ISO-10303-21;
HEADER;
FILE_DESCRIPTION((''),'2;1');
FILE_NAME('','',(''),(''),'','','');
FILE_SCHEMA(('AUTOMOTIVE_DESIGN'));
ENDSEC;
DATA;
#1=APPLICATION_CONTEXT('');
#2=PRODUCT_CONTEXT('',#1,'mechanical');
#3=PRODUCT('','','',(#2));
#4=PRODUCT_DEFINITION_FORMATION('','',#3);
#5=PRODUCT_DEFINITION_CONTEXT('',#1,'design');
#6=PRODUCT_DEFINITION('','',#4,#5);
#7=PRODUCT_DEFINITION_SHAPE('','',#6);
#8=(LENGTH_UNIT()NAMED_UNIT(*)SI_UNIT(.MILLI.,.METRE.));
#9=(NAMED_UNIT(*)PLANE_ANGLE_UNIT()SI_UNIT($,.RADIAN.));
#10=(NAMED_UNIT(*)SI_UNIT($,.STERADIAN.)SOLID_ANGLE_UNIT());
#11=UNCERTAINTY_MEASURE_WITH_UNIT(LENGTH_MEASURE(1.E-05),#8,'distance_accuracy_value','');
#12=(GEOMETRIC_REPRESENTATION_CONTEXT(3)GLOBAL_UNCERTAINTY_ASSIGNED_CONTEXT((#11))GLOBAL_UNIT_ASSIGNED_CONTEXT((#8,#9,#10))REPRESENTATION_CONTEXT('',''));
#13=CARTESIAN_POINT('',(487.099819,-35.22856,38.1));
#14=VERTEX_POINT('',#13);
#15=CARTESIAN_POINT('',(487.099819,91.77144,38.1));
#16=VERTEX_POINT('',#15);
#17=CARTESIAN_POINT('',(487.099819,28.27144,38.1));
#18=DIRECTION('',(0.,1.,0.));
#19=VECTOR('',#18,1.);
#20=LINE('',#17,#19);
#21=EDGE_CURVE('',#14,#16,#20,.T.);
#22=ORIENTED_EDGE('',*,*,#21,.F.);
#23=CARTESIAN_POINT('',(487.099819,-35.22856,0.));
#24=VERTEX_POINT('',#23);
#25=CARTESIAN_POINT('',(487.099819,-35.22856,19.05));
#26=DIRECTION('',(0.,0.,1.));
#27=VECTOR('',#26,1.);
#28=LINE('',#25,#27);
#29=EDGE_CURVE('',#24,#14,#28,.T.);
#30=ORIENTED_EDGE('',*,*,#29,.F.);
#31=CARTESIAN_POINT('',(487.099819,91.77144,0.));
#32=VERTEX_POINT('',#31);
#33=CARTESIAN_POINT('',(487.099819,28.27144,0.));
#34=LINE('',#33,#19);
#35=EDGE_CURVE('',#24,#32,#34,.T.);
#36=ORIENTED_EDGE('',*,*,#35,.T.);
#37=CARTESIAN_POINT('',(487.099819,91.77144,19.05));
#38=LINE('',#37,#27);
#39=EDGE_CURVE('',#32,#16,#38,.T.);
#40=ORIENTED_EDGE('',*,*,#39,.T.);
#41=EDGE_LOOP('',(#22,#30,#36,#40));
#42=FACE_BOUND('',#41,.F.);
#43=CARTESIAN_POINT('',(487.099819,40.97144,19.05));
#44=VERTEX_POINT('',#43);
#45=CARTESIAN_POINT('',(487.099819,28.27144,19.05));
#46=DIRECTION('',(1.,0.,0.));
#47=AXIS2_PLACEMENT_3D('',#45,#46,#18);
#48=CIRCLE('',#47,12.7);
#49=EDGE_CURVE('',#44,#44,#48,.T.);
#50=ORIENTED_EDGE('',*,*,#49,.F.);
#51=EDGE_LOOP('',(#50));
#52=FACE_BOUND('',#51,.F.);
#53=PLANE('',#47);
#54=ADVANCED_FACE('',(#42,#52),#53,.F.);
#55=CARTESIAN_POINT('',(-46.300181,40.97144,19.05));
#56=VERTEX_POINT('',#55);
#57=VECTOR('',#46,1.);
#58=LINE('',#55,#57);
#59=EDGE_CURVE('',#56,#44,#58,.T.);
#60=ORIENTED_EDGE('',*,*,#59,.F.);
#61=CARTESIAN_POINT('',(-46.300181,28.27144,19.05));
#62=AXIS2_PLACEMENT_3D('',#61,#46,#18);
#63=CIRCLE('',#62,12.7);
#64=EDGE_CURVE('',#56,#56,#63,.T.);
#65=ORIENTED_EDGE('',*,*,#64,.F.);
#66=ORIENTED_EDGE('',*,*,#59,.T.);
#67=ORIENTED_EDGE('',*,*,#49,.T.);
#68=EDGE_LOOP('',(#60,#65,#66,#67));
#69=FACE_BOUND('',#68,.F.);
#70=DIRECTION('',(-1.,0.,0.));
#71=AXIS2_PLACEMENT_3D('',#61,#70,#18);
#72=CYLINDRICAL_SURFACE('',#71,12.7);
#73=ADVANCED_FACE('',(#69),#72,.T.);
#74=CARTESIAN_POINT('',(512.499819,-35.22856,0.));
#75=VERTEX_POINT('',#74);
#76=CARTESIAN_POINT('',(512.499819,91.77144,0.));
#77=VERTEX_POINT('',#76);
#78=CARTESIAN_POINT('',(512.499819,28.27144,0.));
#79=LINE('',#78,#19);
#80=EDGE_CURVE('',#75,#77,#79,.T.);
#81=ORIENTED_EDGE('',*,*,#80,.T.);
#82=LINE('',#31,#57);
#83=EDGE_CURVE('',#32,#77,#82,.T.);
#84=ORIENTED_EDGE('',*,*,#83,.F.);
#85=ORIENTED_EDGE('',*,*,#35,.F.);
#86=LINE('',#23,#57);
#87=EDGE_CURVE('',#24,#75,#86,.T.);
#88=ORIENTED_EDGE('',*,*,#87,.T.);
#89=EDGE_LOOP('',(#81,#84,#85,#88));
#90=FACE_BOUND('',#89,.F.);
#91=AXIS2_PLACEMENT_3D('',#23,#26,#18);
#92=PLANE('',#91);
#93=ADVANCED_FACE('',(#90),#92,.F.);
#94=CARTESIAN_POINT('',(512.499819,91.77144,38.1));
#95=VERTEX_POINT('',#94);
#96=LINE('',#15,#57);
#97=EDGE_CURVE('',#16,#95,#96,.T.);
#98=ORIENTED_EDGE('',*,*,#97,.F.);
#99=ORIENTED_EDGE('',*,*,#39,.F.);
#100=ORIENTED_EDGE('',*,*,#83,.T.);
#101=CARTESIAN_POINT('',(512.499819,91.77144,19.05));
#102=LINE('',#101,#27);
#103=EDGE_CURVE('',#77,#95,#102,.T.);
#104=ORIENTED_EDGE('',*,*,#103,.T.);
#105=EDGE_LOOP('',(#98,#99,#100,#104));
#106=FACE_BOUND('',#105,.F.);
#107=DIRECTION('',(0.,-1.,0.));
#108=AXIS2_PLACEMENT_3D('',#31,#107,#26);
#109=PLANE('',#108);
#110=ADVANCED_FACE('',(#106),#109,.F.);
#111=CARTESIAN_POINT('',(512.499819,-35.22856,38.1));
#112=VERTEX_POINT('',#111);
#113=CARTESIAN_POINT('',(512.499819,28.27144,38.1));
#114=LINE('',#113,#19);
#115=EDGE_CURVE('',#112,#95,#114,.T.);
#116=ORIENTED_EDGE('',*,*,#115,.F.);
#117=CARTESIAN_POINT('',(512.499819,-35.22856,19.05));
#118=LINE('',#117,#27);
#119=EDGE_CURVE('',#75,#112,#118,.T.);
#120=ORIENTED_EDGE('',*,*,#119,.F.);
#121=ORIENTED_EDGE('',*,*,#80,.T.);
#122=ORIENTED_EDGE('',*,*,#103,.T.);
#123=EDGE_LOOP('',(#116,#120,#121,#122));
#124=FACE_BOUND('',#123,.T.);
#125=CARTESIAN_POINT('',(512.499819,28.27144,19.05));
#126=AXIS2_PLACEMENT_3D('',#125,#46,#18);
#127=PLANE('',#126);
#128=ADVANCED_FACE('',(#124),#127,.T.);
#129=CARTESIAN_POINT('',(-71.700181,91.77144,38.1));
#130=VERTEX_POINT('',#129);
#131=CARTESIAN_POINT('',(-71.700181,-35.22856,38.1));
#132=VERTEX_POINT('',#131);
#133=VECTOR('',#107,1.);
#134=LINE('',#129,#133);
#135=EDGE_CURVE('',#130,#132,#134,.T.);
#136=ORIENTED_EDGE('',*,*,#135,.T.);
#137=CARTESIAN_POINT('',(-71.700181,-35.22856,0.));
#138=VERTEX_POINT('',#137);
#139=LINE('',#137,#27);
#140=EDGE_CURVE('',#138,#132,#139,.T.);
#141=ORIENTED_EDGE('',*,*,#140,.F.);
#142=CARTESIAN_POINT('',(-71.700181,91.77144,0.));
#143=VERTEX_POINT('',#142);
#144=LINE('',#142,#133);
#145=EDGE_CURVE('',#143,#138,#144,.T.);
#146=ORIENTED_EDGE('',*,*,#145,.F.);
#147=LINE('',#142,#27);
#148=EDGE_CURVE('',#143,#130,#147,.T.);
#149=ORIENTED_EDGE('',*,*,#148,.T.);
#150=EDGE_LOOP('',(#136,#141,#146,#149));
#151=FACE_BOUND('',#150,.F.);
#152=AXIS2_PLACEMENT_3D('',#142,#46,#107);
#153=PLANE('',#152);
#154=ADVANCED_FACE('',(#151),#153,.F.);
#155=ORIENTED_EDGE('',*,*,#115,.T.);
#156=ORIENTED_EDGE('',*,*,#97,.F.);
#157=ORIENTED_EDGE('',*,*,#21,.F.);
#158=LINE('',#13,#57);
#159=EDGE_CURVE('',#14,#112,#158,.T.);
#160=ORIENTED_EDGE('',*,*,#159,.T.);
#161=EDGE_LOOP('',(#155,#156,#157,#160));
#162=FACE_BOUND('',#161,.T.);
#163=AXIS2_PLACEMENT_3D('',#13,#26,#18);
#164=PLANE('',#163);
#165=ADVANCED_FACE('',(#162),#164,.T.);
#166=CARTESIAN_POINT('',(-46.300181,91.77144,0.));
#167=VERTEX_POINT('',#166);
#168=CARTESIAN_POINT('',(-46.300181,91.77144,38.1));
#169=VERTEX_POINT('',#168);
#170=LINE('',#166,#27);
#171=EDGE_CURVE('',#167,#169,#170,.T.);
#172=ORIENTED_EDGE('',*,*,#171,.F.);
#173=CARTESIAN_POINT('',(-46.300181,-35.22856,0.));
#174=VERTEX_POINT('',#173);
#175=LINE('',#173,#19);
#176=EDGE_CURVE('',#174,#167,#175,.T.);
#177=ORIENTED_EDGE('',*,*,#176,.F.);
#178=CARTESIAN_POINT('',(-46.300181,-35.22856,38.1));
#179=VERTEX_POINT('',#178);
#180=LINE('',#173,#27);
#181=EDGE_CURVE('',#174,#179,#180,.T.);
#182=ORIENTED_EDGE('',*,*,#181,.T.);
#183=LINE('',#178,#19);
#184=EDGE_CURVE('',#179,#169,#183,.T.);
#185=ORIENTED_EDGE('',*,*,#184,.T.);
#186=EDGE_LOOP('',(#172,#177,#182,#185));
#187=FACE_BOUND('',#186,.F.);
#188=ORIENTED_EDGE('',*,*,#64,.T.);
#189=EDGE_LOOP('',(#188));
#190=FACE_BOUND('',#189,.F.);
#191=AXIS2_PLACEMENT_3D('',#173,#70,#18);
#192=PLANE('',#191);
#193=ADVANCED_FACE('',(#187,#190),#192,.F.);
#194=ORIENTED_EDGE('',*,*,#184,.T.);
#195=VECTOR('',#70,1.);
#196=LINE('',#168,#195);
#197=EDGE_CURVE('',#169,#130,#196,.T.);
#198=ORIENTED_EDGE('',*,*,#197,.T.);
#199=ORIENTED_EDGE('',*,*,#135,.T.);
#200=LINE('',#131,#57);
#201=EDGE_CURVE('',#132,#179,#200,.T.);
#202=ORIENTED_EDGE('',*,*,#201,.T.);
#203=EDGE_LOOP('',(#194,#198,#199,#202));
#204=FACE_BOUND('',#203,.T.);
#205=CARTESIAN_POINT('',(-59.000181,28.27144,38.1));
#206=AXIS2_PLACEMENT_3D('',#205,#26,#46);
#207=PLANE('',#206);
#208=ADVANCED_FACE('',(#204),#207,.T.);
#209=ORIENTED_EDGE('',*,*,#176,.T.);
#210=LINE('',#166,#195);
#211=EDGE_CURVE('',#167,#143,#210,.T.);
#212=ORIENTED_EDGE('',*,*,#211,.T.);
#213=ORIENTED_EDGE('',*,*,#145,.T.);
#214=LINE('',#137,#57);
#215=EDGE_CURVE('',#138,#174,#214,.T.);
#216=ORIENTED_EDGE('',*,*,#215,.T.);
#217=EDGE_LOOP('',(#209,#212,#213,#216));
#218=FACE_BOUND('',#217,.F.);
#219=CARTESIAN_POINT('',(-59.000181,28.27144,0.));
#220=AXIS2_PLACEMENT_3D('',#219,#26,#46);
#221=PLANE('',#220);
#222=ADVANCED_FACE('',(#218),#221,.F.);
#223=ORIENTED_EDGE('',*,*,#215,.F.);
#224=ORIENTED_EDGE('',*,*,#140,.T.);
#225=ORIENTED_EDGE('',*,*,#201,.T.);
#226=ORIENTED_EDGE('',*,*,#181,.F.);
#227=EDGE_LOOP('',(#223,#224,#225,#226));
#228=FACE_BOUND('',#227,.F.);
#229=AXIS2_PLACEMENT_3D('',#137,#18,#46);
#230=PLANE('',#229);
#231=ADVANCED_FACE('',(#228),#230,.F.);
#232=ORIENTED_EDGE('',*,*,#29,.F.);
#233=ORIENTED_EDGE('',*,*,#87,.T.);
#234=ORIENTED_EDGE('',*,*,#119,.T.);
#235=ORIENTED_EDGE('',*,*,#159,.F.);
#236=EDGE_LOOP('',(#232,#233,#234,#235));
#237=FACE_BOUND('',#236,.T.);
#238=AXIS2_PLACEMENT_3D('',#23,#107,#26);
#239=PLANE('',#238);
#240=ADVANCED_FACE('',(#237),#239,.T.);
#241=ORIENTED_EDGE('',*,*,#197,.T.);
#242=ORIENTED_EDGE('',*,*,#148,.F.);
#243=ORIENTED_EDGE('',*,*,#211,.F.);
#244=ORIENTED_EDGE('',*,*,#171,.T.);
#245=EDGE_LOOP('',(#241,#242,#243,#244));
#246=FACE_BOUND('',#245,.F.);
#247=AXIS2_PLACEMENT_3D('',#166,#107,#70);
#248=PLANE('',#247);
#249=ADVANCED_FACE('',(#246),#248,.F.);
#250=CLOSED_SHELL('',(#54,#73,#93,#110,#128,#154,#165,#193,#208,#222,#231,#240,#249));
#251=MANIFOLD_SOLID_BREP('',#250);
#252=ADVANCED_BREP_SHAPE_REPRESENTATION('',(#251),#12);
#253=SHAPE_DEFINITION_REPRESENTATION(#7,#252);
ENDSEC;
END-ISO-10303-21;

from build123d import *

# Parameters (mm, degrees)
F1_DEPTH = 38.1
F2_R     = 12.7
F3_DEPTH = 533.4
F4_W     = 127
F4_H     = 38.1
F5_DEPTH = 25.4


with BuildPart() as f1:
    # F0 (on Top) → F1 (new body)
    with BuildSketch(Plane.XY):
        Polygon((-46.300181, 91.77144), (-71.700181, 91.77144), (-71.700181, -35.22856), (-46.300181, -35.22856), (-46.300181, 15.57144), (-46.300181, 40.97144), align=None)
    extrude(amount=F1_DEPTH)

    # F2 (on face) → F3 (join)
    with BuildSketch(Plane.YZ.offset(-46.300181)):
        with Locations((28.27144, 19.05)):
            Circle(F2_R)
    extrude(amount=F3_DEPTH)

    # F4 (on face) → F5 (join)
    with BuildSketch(Plane.YZ.offset(487.099819)):
        with Locations((28.27144, 19.05)):
            Rectangle(F4_W, F4_H)
    extrude(amount=F5_DEPTH)


solid = f1.part
